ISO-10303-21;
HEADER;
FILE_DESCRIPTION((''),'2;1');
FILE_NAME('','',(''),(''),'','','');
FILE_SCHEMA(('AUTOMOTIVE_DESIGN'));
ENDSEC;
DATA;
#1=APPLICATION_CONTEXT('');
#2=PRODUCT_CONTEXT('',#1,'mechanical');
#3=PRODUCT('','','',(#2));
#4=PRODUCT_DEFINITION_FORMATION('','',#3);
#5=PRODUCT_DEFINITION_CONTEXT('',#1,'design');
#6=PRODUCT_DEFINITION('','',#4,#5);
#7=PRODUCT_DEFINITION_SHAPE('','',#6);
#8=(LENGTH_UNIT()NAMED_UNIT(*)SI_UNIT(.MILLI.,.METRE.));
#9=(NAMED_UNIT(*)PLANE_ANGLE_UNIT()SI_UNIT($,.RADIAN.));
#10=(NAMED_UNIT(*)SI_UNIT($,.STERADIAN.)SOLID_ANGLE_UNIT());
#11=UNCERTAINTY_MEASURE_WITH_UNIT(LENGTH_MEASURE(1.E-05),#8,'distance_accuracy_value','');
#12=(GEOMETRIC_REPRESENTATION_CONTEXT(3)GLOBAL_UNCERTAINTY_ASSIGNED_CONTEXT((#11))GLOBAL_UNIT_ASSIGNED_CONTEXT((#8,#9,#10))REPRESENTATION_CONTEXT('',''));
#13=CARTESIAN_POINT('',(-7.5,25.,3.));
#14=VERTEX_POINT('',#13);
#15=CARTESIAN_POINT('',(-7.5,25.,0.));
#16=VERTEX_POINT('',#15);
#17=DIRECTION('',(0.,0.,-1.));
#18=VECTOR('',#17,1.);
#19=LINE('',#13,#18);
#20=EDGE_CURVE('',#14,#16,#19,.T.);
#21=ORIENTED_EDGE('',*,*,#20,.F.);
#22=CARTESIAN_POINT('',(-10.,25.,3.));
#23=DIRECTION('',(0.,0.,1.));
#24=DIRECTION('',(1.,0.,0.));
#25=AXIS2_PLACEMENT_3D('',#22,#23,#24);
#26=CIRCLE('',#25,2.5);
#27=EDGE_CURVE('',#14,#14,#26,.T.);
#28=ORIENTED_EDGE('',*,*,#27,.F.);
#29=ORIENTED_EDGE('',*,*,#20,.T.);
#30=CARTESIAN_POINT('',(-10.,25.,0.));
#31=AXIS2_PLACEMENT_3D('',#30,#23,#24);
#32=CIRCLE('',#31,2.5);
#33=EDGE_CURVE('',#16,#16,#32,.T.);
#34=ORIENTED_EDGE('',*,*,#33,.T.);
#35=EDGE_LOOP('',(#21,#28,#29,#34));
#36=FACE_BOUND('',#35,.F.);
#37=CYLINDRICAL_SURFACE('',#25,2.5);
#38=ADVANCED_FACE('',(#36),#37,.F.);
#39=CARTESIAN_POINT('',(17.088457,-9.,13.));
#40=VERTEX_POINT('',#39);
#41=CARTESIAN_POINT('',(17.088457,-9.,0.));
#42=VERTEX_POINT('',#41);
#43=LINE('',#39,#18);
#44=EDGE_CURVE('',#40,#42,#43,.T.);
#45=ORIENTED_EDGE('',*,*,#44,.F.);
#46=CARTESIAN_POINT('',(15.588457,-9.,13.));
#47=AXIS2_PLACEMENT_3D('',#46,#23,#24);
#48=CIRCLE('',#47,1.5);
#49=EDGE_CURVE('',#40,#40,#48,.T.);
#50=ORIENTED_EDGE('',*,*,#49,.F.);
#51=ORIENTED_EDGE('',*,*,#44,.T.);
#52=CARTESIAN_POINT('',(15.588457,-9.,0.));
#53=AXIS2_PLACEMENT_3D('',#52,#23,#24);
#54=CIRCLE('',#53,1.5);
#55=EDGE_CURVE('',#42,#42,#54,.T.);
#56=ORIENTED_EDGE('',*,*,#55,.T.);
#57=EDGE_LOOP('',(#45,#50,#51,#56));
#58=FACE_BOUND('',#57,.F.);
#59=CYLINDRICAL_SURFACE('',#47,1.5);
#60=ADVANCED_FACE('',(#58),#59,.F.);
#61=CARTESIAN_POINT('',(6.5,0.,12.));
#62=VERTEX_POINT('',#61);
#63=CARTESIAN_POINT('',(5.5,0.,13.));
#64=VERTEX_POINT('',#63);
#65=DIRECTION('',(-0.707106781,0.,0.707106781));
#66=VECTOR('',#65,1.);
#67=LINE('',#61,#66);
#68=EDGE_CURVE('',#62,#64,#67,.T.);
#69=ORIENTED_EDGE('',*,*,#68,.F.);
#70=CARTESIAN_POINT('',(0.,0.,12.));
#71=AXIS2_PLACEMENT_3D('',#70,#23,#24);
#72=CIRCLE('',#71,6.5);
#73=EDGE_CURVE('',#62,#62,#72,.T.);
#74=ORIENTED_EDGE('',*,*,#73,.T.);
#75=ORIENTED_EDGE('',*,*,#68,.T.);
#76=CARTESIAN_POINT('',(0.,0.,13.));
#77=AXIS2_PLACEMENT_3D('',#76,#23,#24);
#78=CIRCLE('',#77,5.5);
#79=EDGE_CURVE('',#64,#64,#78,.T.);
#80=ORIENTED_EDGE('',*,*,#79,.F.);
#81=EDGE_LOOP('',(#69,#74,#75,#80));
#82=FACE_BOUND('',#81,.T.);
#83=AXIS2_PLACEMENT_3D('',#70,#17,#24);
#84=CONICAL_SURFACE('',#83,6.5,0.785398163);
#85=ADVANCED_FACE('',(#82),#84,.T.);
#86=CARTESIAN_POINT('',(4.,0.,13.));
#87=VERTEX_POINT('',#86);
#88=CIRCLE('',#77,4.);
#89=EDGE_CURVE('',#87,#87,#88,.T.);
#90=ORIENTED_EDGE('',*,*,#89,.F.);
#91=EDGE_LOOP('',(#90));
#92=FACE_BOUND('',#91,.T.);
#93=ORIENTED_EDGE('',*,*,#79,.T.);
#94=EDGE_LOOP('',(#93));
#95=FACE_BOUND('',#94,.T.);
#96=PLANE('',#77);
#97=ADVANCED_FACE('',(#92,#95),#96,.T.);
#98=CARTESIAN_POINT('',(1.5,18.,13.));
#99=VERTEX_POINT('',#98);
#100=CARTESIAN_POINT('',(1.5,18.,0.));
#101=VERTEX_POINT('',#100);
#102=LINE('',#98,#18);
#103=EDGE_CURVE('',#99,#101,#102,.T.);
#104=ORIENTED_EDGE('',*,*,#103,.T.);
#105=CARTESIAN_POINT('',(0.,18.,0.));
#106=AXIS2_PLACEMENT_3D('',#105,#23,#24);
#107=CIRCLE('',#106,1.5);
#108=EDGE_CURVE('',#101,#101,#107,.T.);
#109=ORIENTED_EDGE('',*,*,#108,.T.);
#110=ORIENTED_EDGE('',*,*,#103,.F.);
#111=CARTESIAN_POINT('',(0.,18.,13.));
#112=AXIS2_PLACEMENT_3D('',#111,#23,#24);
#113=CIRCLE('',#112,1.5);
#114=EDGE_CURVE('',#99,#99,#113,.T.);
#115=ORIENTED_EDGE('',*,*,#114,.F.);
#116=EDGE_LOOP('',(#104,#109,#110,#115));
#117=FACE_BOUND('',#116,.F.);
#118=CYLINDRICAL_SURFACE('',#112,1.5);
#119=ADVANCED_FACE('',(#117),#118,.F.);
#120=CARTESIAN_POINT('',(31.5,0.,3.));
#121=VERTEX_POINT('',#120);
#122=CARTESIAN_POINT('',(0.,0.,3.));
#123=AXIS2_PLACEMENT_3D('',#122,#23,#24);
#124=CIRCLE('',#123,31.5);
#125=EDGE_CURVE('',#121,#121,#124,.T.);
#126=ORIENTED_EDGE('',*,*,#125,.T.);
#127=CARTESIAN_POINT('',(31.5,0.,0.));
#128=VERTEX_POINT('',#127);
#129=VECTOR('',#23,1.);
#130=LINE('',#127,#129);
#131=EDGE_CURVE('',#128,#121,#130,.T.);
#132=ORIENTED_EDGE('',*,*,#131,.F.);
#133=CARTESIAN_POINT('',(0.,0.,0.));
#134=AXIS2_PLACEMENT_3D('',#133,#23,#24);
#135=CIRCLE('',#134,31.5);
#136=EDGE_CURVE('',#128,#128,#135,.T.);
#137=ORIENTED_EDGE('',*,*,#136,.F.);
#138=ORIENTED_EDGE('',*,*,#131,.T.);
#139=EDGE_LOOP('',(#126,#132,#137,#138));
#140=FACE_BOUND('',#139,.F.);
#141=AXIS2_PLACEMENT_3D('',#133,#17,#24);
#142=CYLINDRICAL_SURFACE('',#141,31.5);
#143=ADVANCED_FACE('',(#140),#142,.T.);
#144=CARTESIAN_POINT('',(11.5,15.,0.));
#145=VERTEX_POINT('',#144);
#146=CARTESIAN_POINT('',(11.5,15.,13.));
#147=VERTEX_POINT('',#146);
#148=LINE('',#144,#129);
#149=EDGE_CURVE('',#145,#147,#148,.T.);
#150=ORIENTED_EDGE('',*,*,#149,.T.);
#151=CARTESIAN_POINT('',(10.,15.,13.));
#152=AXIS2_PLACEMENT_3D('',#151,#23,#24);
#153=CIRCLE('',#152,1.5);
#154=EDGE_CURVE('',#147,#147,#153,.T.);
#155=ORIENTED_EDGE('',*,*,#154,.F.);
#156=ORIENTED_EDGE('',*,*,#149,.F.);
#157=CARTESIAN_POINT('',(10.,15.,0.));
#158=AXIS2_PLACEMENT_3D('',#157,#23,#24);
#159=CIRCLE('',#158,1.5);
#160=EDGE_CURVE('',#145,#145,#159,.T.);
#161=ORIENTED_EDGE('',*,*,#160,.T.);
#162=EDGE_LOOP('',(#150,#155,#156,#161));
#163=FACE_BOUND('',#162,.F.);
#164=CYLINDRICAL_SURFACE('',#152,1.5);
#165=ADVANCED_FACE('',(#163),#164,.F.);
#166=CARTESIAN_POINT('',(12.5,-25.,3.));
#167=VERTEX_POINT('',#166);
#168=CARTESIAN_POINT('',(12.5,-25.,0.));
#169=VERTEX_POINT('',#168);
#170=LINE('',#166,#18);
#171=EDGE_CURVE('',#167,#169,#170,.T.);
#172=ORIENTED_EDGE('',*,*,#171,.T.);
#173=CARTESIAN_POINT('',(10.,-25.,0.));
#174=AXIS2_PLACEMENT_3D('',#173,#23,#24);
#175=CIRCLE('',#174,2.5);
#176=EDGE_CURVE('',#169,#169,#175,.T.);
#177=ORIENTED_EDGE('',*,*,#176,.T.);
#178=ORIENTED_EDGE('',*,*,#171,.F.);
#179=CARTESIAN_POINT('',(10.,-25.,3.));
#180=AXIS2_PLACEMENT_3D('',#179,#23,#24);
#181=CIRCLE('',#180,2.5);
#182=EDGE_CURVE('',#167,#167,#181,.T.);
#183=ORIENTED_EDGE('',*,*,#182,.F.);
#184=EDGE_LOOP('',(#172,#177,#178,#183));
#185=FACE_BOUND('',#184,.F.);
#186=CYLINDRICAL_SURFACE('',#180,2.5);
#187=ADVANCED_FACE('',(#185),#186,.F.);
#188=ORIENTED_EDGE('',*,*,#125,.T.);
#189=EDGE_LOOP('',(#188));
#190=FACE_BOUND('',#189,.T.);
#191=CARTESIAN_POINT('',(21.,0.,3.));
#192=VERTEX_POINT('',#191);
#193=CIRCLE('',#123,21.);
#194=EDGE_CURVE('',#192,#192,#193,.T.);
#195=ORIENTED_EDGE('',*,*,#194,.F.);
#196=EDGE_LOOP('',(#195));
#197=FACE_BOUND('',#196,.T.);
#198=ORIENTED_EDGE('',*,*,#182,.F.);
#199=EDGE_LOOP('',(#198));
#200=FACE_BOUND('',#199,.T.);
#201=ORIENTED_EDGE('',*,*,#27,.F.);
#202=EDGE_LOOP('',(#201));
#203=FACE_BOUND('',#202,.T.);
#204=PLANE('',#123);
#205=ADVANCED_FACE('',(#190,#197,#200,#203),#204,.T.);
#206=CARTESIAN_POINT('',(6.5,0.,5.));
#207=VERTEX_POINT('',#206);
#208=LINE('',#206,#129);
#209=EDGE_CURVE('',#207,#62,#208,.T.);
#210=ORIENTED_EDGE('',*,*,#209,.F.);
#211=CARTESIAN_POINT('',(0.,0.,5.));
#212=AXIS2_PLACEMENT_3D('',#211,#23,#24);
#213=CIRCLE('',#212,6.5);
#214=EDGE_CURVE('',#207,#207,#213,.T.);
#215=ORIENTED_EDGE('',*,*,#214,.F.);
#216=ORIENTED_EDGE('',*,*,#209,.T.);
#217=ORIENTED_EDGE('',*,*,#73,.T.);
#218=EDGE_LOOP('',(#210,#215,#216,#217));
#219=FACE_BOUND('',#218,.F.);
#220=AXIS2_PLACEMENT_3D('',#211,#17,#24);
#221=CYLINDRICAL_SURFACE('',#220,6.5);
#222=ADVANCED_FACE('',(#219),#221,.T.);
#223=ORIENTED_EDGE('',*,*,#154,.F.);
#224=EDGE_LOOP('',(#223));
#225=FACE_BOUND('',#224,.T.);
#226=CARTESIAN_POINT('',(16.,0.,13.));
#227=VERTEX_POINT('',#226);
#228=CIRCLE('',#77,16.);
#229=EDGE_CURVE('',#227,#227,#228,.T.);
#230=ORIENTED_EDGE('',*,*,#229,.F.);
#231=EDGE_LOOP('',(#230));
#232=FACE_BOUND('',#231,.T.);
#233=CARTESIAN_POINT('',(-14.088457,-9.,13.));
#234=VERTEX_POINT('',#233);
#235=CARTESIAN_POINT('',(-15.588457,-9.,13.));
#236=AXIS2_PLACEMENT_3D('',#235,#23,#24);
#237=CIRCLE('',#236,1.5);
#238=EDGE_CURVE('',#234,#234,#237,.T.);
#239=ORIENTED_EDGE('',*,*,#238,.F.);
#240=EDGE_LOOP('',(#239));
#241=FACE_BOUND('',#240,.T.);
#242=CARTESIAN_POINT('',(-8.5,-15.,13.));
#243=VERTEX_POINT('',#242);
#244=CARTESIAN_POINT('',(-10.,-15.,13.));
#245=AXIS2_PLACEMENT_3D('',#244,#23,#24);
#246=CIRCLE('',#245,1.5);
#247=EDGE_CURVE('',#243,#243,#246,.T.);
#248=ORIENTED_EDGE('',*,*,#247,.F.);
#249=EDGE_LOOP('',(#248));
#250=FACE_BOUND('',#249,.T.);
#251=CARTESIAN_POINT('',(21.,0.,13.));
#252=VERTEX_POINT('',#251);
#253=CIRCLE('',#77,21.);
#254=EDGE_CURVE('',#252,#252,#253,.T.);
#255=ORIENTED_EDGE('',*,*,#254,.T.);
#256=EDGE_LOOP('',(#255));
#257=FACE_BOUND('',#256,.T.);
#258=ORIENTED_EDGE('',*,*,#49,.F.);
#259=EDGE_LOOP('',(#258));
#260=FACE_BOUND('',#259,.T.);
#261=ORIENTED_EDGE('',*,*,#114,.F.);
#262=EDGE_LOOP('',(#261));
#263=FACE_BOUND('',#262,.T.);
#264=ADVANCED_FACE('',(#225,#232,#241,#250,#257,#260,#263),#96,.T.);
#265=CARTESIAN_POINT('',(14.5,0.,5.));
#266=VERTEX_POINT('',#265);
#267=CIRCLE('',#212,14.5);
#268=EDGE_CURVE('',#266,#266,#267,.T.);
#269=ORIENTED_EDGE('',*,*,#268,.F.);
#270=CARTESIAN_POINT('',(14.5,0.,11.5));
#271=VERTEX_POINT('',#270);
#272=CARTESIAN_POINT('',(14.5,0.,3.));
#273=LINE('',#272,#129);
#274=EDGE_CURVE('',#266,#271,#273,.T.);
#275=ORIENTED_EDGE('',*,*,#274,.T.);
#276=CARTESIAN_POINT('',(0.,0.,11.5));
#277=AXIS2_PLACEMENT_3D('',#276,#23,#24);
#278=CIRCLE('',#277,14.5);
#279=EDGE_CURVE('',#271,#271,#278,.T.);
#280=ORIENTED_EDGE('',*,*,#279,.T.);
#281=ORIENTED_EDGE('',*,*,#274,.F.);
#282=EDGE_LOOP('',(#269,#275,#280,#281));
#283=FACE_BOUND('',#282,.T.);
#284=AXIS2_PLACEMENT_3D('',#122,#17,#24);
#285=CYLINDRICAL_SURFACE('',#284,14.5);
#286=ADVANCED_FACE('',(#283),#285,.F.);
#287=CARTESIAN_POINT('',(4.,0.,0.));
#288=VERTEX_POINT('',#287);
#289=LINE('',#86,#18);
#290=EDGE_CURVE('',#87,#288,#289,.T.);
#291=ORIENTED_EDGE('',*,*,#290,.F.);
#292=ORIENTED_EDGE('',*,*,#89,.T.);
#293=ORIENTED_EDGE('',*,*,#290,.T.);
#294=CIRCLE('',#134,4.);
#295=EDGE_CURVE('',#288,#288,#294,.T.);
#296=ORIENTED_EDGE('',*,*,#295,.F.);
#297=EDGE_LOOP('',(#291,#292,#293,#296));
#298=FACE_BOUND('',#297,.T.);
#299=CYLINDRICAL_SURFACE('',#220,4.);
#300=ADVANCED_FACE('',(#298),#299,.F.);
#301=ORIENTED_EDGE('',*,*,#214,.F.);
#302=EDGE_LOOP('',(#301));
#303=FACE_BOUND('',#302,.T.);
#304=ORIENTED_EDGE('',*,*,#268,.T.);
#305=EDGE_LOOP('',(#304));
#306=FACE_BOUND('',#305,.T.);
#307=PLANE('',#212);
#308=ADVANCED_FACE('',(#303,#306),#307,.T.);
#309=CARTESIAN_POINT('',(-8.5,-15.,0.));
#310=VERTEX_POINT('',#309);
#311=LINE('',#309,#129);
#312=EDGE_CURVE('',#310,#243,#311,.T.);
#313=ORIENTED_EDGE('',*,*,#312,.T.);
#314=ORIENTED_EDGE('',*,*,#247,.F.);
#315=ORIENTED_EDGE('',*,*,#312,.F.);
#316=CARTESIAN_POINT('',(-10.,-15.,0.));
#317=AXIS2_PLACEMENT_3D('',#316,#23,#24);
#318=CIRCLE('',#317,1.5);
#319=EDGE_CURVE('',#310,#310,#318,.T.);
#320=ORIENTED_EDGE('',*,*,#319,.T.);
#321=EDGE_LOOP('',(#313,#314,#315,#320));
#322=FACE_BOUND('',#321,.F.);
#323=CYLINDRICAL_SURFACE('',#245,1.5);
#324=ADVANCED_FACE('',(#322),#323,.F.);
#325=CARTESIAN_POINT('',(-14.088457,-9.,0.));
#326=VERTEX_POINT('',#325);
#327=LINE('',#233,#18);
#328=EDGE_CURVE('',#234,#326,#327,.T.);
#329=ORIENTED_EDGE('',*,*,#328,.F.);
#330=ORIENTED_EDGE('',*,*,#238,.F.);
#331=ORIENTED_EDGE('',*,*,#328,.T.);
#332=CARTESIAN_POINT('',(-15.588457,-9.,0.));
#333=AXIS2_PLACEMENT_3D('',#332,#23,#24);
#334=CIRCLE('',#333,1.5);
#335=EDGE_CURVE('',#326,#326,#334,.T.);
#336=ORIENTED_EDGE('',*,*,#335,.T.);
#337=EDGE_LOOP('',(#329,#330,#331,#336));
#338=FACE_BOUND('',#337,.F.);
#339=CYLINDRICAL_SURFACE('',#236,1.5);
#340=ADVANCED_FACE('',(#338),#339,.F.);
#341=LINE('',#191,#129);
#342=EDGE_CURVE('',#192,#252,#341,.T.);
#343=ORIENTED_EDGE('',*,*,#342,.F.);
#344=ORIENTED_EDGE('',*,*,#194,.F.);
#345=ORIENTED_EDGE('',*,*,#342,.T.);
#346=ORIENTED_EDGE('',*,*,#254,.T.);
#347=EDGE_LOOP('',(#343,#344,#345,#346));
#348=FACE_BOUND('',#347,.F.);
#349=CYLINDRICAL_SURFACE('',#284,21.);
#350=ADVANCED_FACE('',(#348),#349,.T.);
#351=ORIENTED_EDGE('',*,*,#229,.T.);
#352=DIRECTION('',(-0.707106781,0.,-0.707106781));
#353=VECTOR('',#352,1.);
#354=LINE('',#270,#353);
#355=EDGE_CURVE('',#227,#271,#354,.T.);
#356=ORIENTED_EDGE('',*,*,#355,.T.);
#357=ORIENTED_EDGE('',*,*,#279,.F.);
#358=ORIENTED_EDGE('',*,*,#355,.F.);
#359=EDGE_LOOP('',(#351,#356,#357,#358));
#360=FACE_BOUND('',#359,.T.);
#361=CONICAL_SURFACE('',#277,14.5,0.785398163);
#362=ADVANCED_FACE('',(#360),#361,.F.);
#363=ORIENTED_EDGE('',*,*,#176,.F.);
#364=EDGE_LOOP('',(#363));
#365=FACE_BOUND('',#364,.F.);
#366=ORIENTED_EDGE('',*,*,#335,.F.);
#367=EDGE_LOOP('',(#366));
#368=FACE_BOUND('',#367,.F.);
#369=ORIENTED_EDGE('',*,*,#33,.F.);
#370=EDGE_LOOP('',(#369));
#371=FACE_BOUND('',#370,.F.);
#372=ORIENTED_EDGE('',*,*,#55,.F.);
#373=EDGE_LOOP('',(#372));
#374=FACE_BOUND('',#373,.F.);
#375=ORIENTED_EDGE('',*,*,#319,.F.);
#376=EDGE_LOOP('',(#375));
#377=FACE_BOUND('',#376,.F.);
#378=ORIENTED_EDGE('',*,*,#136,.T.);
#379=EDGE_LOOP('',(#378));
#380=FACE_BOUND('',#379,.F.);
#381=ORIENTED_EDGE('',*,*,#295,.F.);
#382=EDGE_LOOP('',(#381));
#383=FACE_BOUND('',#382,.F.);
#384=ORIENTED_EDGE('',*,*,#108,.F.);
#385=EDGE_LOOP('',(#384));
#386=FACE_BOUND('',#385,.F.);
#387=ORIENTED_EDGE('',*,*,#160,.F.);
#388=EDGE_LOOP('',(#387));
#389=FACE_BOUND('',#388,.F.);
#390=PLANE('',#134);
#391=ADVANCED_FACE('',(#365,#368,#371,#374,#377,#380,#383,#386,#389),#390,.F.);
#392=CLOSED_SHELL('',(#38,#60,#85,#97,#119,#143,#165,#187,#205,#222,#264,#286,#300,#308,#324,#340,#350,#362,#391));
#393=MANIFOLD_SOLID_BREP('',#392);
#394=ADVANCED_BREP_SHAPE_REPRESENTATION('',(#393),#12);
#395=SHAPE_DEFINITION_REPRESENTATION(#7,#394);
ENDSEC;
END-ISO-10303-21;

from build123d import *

# Parameters (mm, degrees)
SKETCH_R        = 31.5
SKETCH_R_2      = 4
PAD_DEPTH       = 3
SKETCH001_R     = 21
SKETCH001_R_2   = 14.5
PAD001_DEPTH    = 10
SKETCH002_R     = 14.5
SKETCH002_R_2   = 4
PAD002_DEPTH    = 2
SKETCH003_R     = 6.5
SKETCH003_R_2   = 4
PAD003_DEPTH    = 8
SKETCH005_R     = 2.5
SKETCH005_R_2   = 1.5
POCKET001_DEPTH = 3.001
SKETCH008_R     = 1.5
POCKET_DEPTH    = 13.001
SKETCH007_R     = 1.5
POCKET002_DEPTH = 13.001
CHAMFER_SIZE    = 1.5
CHAMFER001_SIZE = 1


with BuildPart() as part:
    # Sketch → Pad (new body)
    with BuildSketch(Plane.XY):
        Circle(SKETCH_R)
        Circle(SKETCH_R_2, mode=Mode.SUBTRACT)
    extrude(amount=PAD_DEPTH)

    # Sketch001 (on Face4 of Pad) → Pad001 (join)
    with BuildSketch(Plane.XY.offset(3)):
        Circle(SKETCH001_R)
        Circle(SKETCH001_R_2, mode=Mode.SUBTRACT)
    extrude(amount=PAD001_DEPTH)

    # Sketch002 (on Face6 of Pad001) → Pad002 (join)
    with BuildSketch(Plane.XY.offset(3)):
        Circle(SKETCH002_R)
        Circle(SKETCH002_R_2, mode=Mode.SUBTRACT)
    extrude(amount=PAD002_DEPTH)

    # Sketch003 (on Face8 of Pad002) → Pad003 (join)
    with BuildSketch(Plane.XY.offset(5)):
        Circle(SKETCH003_R)
        Circle(SKETCH003_R_2, mode=Mode.SUBTRACT)
    extrude(amount=PAD003_DEPTH)

    # Sketch005 (on Face3 of Pad001) → Pocket001 (cut, through all)
    with BuildSketch(Plane.XY.offset(3)):
        with Locations((-10, 25)):
            Circle(SKETCH005_R)
        with Locations((10, -25)):
            Circle(SKETCH005_R)
        with Locations((-10, -15)):
            Circle(SKETCH005_R_2)
        with Locations((10, 15)):
            Circle(SKETCH005_R_2)
    extrude(amount=-POCKET001_DEPTH, mode=Mode.SUBTRACT)

    # Sketch008 → Pocket (cut, through all)
    with BuildSketch(Plane.XY.offset(13)):
        with Locations((0, 18)):
            Circle(SKETCH008_R)
        with Locations((-15.588457, -9)):
            Circle(SKETCH008_R)
        with Locations((15.588457, -9)):
            Circle(SKETCH008_R)
    extrude(amount=-POCKET_DEPTH, mode=Mode.SUBTRACT)

    # Sketch007 (on Face13 of Pocket001) → Pocket002 (cut, through all)
    with BuildSketch(Plane.XY.offset(13)):
        with Locations((10, 15)):
            Circle(SKETCH007_R)
        with Locations((-10, -15)):
            Circle(SKETCH007_R)
    extrude(amount=-POCKET002_DEPTH, mode=Mode.SUBTRACT)

    # Chamfer
    chamfer_edges = [part.edges().sort_by_distance(p)[0] for p in [
        (-14.5, 0, 13),
    ]]
    chamfer(chamfer_edges, length=CHAMFER_SIZE)

    # Chamfer001
    chamfer001_edges = [part.edges().sort_by_distance(p)[0] for p in [
        (-6.5, 0, 13),
    ]]
    chamfer(chamfer001_edges, length=CHAMFER001_SIZE)


solid = part.part
